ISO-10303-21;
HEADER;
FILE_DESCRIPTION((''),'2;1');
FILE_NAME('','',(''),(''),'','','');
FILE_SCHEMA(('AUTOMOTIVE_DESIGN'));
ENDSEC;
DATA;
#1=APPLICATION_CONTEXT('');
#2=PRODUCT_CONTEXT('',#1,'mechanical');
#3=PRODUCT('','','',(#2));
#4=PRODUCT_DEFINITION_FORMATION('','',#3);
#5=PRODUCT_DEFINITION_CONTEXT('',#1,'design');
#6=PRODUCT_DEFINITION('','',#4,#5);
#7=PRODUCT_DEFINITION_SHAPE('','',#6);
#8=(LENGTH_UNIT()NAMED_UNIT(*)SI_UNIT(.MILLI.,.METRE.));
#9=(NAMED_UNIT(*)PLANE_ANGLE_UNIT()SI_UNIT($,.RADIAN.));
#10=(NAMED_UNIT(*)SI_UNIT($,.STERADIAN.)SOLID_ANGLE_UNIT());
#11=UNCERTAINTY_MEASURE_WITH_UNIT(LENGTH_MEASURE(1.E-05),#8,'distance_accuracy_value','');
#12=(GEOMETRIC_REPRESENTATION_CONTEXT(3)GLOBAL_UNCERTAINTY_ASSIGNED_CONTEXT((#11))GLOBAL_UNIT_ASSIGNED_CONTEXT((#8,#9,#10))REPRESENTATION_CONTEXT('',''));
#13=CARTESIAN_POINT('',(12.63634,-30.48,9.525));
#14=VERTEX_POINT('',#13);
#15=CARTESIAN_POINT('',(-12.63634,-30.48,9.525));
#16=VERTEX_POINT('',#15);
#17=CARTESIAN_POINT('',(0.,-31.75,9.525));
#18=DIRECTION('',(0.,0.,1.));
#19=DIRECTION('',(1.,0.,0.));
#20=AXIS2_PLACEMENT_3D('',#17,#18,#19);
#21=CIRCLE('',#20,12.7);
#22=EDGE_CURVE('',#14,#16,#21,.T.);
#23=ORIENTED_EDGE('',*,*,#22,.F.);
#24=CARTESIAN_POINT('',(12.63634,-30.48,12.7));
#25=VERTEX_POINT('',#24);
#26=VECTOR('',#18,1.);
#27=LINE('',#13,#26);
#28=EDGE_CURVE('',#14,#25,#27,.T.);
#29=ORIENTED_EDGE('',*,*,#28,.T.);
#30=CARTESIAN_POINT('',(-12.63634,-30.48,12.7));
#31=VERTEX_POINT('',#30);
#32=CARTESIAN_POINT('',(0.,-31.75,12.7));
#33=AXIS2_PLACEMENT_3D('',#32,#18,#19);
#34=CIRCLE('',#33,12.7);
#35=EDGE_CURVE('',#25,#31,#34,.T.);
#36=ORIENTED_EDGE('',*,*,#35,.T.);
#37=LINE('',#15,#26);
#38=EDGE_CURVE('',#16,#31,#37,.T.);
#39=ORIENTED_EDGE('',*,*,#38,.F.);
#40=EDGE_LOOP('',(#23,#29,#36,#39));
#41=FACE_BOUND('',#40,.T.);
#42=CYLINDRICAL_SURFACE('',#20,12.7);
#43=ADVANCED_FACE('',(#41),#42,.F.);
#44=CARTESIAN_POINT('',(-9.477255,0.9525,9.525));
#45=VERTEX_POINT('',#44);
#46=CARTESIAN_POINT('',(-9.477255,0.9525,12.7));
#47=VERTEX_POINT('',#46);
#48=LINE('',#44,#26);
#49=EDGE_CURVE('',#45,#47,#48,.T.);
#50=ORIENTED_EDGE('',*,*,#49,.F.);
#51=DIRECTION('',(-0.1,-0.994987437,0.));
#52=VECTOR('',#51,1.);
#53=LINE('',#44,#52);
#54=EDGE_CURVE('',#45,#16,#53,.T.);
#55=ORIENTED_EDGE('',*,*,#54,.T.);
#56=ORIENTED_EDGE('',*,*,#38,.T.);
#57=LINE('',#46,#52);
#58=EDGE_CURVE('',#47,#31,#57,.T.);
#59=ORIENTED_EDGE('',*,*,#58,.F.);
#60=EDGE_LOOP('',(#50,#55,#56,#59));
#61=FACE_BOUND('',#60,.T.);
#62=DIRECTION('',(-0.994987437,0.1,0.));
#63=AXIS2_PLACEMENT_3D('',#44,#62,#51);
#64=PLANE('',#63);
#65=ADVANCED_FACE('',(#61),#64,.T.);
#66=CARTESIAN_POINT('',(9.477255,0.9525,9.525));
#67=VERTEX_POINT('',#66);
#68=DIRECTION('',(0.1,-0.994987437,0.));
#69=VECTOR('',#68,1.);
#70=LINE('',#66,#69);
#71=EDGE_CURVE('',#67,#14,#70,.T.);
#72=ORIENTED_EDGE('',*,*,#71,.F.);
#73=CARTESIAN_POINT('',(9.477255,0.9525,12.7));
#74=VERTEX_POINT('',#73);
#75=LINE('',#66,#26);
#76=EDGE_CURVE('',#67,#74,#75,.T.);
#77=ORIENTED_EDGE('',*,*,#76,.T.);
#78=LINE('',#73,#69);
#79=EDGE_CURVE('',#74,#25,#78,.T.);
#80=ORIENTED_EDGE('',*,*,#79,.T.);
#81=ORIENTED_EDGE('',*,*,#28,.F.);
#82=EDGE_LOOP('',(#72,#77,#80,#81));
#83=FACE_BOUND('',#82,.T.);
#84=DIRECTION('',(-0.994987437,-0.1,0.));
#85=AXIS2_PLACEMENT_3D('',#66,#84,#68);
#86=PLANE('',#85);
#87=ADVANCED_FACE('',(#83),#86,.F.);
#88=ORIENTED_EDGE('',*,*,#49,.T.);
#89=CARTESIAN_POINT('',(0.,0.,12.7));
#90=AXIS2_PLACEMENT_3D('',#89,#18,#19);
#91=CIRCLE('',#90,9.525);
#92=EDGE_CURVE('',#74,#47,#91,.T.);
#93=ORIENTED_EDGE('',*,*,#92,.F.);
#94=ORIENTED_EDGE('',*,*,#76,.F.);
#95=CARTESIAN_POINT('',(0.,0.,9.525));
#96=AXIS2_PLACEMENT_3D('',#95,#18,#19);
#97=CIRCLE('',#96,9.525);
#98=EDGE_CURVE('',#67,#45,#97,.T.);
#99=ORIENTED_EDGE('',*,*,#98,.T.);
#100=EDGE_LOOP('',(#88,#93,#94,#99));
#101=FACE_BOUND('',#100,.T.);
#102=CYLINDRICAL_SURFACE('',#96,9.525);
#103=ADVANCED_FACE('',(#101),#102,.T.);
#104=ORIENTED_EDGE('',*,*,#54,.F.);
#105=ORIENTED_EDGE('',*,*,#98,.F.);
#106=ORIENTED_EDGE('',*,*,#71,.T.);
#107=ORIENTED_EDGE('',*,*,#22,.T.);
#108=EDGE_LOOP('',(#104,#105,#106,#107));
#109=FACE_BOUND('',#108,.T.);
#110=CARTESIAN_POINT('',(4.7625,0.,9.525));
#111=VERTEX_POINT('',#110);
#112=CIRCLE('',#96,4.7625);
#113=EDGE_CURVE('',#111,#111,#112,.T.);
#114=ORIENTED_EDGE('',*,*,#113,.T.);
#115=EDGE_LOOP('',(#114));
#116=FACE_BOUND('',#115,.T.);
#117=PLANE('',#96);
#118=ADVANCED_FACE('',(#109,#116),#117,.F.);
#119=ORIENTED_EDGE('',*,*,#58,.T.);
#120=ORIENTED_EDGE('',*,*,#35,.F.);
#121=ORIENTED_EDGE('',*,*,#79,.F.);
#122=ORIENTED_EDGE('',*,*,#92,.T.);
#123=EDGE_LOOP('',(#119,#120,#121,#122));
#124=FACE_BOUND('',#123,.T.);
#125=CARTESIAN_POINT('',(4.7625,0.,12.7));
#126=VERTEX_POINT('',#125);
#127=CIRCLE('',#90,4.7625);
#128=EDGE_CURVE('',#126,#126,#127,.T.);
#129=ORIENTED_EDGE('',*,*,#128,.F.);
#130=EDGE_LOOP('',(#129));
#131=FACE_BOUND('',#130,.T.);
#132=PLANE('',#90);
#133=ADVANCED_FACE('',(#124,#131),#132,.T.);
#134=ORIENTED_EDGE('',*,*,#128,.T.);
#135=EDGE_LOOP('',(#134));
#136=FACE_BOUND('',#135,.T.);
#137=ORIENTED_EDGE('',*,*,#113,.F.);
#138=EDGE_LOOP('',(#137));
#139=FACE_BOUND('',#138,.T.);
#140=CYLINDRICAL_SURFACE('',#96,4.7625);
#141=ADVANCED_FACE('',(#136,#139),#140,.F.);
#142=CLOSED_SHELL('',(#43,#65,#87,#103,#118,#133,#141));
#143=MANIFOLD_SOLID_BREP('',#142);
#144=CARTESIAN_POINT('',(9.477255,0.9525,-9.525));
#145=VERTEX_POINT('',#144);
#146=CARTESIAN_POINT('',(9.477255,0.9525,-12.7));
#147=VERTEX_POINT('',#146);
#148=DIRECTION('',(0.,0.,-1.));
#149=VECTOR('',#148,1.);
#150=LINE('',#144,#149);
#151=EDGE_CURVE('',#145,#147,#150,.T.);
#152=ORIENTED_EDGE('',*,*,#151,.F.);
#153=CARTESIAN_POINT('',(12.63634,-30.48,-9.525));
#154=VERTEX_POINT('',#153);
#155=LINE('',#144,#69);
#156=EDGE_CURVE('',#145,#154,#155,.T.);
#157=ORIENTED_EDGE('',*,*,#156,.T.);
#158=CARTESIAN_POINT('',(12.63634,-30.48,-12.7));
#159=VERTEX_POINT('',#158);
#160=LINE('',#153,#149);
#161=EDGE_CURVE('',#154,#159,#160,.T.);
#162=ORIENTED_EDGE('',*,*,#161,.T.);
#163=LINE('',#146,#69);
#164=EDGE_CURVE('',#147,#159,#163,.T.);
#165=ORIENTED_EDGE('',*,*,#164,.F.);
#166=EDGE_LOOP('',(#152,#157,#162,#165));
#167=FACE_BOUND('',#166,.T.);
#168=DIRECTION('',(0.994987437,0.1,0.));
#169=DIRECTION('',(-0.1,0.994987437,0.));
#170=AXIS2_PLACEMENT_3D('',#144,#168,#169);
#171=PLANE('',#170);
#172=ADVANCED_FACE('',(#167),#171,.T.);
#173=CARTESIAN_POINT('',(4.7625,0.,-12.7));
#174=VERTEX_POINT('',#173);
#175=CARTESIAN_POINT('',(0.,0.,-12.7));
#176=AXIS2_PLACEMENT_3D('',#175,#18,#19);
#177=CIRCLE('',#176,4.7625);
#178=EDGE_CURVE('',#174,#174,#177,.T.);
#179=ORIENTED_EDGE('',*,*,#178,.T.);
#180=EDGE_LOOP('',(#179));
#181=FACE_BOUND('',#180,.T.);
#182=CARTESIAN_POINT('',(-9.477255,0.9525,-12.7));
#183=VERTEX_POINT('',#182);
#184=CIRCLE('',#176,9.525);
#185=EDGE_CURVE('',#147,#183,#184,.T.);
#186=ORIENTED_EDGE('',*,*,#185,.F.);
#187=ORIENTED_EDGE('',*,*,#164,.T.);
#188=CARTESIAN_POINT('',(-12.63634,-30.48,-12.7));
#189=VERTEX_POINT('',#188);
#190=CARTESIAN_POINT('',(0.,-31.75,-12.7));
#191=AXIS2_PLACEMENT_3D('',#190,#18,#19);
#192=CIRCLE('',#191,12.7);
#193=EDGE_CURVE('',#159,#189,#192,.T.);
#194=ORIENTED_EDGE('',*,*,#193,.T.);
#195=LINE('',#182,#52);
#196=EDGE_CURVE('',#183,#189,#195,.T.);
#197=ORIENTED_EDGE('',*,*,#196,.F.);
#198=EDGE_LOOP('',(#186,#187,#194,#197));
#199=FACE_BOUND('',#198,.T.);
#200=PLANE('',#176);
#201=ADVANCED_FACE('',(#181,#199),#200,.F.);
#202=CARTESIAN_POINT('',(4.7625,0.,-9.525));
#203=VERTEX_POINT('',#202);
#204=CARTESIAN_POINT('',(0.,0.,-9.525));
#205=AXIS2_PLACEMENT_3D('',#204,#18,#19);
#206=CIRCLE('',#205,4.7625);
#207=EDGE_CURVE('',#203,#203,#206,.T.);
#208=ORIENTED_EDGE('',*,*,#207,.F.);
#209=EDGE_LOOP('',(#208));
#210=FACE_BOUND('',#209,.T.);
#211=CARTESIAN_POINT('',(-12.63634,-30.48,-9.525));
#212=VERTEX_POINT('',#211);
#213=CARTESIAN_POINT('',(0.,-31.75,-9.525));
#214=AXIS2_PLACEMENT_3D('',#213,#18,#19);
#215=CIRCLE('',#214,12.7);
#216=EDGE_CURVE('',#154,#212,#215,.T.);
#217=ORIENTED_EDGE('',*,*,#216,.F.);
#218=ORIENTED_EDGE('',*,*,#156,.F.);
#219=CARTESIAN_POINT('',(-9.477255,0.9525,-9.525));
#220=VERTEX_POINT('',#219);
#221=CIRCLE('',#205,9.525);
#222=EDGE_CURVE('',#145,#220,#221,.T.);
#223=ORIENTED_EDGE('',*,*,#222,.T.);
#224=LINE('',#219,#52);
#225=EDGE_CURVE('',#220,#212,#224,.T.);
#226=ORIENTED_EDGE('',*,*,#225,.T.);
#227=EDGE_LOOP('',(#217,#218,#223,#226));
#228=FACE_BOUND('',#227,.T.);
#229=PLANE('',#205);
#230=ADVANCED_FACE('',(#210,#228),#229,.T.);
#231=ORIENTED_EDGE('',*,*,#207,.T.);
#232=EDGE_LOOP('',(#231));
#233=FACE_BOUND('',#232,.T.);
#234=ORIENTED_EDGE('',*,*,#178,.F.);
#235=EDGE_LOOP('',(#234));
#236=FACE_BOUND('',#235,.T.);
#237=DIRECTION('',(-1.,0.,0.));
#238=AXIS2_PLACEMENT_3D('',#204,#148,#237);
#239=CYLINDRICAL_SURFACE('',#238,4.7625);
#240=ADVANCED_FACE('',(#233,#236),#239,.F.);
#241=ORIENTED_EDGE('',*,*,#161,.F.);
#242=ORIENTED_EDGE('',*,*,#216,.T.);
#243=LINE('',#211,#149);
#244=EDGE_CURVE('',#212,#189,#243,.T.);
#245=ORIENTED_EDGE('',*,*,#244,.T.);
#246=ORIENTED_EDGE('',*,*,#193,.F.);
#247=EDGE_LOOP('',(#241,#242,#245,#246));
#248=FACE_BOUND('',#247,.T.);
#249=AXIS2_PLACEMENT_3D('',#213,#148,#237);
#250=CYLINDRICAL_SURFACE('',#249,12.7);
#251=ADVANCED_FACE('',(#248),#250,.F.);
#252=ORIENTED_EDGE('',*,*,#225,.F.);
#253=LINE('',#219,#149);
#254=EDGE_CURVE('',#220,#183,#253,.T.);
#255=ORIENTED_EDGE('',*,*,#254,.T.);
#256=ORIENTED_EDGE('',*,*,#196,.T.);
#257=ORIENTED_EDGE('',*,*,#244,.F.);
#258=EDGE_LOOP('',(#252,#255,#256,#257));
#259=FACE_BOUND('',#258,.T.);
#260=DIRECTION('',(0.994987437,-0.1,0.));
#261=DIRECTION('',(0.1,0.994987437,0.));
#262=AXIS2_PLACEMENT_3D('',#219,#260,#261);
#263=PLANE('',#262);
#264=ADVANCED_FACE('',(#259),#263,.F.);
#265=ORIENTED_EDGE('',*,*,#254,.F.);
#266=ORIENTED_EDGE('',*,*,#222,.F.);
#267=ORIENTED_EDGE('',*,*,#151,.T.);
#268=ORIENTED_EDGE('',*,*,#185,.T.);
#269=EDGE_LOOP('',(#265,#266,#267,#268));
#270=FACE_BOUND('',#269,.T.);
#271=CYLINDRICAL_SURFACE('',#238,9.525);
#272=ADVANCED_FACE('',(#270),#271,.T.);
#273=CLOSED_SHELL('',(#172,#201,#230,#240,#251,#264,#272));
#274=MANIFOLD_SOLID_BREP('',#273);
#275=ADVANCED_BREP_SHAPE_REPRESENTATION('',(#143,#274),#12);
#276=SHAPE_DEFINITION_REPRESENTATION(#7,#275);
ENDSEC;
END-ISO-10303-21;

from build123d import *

# Parameters (mm, degrees)
BOSS_EXTRUDE1_START = 12.7
SKETCH1_R           = 4.7625
BOSS_EXTRUDE1_DEPTH = 3.175
BOSS_EXTRUDE2_START = -12.7
SKETCH1_4_R         = 4.7625
BOSS_EXTRUDE2_DEPTH = 3.175


with BuildPart() as part:
    # Sketch1 → Boss-Extrude1 (new body)
    with BuildSketch(Plane.XY.offset(BOSS_EXTRUDE1_START)):
        with BuildLine():
            ThreePointArc((9.477255338, 0.9525), (0, 9.525), (-9.477255338, 0.9525))
            Line((-9.477255338, 0.9525), (-12.636340451, -30.48))
            ThreePointArc((-12.636340451, -30.48), (0, -19.05), (12.636340451, -30.48))
            Line((12.636340451, -30.48), (9.477255338, 0.9525))
        make_face()
        Circle(SKETCH1_R, mode=Mode.SUBTRACT)
    extrude(amount=-BOSS_EXTRUDE1_DEPTH)


with BuildPart() as body_2:
    # Sketch1<4> → Boss-Extrude2 (new body)
    with BuildSketch(Plane.XY.offset(BOSS_EXTRUDE2_START)):
        with BuildLine():
            ThreePointArc((9.477255338, 0.9525), (0, 9.525), (-9.477255338, 0.9525))
            Line((-9.477255338, 0.9525), (-12.636340451, -30.48))
            ThreePointArc((-12.636340451, -30.48), (0, -19.05), (12.636340451, -30.48))
            Line((12.636340451, -30.48), (9.477255338, 0.9525))
        make_face()
        Circle(SKETCH1_4_R, mode=Mode.SUBTRACT)
    extrude(amount=BOSS_EXTRUDE2_DEPTH)


solid = Compound([part.part, body_2.part])
